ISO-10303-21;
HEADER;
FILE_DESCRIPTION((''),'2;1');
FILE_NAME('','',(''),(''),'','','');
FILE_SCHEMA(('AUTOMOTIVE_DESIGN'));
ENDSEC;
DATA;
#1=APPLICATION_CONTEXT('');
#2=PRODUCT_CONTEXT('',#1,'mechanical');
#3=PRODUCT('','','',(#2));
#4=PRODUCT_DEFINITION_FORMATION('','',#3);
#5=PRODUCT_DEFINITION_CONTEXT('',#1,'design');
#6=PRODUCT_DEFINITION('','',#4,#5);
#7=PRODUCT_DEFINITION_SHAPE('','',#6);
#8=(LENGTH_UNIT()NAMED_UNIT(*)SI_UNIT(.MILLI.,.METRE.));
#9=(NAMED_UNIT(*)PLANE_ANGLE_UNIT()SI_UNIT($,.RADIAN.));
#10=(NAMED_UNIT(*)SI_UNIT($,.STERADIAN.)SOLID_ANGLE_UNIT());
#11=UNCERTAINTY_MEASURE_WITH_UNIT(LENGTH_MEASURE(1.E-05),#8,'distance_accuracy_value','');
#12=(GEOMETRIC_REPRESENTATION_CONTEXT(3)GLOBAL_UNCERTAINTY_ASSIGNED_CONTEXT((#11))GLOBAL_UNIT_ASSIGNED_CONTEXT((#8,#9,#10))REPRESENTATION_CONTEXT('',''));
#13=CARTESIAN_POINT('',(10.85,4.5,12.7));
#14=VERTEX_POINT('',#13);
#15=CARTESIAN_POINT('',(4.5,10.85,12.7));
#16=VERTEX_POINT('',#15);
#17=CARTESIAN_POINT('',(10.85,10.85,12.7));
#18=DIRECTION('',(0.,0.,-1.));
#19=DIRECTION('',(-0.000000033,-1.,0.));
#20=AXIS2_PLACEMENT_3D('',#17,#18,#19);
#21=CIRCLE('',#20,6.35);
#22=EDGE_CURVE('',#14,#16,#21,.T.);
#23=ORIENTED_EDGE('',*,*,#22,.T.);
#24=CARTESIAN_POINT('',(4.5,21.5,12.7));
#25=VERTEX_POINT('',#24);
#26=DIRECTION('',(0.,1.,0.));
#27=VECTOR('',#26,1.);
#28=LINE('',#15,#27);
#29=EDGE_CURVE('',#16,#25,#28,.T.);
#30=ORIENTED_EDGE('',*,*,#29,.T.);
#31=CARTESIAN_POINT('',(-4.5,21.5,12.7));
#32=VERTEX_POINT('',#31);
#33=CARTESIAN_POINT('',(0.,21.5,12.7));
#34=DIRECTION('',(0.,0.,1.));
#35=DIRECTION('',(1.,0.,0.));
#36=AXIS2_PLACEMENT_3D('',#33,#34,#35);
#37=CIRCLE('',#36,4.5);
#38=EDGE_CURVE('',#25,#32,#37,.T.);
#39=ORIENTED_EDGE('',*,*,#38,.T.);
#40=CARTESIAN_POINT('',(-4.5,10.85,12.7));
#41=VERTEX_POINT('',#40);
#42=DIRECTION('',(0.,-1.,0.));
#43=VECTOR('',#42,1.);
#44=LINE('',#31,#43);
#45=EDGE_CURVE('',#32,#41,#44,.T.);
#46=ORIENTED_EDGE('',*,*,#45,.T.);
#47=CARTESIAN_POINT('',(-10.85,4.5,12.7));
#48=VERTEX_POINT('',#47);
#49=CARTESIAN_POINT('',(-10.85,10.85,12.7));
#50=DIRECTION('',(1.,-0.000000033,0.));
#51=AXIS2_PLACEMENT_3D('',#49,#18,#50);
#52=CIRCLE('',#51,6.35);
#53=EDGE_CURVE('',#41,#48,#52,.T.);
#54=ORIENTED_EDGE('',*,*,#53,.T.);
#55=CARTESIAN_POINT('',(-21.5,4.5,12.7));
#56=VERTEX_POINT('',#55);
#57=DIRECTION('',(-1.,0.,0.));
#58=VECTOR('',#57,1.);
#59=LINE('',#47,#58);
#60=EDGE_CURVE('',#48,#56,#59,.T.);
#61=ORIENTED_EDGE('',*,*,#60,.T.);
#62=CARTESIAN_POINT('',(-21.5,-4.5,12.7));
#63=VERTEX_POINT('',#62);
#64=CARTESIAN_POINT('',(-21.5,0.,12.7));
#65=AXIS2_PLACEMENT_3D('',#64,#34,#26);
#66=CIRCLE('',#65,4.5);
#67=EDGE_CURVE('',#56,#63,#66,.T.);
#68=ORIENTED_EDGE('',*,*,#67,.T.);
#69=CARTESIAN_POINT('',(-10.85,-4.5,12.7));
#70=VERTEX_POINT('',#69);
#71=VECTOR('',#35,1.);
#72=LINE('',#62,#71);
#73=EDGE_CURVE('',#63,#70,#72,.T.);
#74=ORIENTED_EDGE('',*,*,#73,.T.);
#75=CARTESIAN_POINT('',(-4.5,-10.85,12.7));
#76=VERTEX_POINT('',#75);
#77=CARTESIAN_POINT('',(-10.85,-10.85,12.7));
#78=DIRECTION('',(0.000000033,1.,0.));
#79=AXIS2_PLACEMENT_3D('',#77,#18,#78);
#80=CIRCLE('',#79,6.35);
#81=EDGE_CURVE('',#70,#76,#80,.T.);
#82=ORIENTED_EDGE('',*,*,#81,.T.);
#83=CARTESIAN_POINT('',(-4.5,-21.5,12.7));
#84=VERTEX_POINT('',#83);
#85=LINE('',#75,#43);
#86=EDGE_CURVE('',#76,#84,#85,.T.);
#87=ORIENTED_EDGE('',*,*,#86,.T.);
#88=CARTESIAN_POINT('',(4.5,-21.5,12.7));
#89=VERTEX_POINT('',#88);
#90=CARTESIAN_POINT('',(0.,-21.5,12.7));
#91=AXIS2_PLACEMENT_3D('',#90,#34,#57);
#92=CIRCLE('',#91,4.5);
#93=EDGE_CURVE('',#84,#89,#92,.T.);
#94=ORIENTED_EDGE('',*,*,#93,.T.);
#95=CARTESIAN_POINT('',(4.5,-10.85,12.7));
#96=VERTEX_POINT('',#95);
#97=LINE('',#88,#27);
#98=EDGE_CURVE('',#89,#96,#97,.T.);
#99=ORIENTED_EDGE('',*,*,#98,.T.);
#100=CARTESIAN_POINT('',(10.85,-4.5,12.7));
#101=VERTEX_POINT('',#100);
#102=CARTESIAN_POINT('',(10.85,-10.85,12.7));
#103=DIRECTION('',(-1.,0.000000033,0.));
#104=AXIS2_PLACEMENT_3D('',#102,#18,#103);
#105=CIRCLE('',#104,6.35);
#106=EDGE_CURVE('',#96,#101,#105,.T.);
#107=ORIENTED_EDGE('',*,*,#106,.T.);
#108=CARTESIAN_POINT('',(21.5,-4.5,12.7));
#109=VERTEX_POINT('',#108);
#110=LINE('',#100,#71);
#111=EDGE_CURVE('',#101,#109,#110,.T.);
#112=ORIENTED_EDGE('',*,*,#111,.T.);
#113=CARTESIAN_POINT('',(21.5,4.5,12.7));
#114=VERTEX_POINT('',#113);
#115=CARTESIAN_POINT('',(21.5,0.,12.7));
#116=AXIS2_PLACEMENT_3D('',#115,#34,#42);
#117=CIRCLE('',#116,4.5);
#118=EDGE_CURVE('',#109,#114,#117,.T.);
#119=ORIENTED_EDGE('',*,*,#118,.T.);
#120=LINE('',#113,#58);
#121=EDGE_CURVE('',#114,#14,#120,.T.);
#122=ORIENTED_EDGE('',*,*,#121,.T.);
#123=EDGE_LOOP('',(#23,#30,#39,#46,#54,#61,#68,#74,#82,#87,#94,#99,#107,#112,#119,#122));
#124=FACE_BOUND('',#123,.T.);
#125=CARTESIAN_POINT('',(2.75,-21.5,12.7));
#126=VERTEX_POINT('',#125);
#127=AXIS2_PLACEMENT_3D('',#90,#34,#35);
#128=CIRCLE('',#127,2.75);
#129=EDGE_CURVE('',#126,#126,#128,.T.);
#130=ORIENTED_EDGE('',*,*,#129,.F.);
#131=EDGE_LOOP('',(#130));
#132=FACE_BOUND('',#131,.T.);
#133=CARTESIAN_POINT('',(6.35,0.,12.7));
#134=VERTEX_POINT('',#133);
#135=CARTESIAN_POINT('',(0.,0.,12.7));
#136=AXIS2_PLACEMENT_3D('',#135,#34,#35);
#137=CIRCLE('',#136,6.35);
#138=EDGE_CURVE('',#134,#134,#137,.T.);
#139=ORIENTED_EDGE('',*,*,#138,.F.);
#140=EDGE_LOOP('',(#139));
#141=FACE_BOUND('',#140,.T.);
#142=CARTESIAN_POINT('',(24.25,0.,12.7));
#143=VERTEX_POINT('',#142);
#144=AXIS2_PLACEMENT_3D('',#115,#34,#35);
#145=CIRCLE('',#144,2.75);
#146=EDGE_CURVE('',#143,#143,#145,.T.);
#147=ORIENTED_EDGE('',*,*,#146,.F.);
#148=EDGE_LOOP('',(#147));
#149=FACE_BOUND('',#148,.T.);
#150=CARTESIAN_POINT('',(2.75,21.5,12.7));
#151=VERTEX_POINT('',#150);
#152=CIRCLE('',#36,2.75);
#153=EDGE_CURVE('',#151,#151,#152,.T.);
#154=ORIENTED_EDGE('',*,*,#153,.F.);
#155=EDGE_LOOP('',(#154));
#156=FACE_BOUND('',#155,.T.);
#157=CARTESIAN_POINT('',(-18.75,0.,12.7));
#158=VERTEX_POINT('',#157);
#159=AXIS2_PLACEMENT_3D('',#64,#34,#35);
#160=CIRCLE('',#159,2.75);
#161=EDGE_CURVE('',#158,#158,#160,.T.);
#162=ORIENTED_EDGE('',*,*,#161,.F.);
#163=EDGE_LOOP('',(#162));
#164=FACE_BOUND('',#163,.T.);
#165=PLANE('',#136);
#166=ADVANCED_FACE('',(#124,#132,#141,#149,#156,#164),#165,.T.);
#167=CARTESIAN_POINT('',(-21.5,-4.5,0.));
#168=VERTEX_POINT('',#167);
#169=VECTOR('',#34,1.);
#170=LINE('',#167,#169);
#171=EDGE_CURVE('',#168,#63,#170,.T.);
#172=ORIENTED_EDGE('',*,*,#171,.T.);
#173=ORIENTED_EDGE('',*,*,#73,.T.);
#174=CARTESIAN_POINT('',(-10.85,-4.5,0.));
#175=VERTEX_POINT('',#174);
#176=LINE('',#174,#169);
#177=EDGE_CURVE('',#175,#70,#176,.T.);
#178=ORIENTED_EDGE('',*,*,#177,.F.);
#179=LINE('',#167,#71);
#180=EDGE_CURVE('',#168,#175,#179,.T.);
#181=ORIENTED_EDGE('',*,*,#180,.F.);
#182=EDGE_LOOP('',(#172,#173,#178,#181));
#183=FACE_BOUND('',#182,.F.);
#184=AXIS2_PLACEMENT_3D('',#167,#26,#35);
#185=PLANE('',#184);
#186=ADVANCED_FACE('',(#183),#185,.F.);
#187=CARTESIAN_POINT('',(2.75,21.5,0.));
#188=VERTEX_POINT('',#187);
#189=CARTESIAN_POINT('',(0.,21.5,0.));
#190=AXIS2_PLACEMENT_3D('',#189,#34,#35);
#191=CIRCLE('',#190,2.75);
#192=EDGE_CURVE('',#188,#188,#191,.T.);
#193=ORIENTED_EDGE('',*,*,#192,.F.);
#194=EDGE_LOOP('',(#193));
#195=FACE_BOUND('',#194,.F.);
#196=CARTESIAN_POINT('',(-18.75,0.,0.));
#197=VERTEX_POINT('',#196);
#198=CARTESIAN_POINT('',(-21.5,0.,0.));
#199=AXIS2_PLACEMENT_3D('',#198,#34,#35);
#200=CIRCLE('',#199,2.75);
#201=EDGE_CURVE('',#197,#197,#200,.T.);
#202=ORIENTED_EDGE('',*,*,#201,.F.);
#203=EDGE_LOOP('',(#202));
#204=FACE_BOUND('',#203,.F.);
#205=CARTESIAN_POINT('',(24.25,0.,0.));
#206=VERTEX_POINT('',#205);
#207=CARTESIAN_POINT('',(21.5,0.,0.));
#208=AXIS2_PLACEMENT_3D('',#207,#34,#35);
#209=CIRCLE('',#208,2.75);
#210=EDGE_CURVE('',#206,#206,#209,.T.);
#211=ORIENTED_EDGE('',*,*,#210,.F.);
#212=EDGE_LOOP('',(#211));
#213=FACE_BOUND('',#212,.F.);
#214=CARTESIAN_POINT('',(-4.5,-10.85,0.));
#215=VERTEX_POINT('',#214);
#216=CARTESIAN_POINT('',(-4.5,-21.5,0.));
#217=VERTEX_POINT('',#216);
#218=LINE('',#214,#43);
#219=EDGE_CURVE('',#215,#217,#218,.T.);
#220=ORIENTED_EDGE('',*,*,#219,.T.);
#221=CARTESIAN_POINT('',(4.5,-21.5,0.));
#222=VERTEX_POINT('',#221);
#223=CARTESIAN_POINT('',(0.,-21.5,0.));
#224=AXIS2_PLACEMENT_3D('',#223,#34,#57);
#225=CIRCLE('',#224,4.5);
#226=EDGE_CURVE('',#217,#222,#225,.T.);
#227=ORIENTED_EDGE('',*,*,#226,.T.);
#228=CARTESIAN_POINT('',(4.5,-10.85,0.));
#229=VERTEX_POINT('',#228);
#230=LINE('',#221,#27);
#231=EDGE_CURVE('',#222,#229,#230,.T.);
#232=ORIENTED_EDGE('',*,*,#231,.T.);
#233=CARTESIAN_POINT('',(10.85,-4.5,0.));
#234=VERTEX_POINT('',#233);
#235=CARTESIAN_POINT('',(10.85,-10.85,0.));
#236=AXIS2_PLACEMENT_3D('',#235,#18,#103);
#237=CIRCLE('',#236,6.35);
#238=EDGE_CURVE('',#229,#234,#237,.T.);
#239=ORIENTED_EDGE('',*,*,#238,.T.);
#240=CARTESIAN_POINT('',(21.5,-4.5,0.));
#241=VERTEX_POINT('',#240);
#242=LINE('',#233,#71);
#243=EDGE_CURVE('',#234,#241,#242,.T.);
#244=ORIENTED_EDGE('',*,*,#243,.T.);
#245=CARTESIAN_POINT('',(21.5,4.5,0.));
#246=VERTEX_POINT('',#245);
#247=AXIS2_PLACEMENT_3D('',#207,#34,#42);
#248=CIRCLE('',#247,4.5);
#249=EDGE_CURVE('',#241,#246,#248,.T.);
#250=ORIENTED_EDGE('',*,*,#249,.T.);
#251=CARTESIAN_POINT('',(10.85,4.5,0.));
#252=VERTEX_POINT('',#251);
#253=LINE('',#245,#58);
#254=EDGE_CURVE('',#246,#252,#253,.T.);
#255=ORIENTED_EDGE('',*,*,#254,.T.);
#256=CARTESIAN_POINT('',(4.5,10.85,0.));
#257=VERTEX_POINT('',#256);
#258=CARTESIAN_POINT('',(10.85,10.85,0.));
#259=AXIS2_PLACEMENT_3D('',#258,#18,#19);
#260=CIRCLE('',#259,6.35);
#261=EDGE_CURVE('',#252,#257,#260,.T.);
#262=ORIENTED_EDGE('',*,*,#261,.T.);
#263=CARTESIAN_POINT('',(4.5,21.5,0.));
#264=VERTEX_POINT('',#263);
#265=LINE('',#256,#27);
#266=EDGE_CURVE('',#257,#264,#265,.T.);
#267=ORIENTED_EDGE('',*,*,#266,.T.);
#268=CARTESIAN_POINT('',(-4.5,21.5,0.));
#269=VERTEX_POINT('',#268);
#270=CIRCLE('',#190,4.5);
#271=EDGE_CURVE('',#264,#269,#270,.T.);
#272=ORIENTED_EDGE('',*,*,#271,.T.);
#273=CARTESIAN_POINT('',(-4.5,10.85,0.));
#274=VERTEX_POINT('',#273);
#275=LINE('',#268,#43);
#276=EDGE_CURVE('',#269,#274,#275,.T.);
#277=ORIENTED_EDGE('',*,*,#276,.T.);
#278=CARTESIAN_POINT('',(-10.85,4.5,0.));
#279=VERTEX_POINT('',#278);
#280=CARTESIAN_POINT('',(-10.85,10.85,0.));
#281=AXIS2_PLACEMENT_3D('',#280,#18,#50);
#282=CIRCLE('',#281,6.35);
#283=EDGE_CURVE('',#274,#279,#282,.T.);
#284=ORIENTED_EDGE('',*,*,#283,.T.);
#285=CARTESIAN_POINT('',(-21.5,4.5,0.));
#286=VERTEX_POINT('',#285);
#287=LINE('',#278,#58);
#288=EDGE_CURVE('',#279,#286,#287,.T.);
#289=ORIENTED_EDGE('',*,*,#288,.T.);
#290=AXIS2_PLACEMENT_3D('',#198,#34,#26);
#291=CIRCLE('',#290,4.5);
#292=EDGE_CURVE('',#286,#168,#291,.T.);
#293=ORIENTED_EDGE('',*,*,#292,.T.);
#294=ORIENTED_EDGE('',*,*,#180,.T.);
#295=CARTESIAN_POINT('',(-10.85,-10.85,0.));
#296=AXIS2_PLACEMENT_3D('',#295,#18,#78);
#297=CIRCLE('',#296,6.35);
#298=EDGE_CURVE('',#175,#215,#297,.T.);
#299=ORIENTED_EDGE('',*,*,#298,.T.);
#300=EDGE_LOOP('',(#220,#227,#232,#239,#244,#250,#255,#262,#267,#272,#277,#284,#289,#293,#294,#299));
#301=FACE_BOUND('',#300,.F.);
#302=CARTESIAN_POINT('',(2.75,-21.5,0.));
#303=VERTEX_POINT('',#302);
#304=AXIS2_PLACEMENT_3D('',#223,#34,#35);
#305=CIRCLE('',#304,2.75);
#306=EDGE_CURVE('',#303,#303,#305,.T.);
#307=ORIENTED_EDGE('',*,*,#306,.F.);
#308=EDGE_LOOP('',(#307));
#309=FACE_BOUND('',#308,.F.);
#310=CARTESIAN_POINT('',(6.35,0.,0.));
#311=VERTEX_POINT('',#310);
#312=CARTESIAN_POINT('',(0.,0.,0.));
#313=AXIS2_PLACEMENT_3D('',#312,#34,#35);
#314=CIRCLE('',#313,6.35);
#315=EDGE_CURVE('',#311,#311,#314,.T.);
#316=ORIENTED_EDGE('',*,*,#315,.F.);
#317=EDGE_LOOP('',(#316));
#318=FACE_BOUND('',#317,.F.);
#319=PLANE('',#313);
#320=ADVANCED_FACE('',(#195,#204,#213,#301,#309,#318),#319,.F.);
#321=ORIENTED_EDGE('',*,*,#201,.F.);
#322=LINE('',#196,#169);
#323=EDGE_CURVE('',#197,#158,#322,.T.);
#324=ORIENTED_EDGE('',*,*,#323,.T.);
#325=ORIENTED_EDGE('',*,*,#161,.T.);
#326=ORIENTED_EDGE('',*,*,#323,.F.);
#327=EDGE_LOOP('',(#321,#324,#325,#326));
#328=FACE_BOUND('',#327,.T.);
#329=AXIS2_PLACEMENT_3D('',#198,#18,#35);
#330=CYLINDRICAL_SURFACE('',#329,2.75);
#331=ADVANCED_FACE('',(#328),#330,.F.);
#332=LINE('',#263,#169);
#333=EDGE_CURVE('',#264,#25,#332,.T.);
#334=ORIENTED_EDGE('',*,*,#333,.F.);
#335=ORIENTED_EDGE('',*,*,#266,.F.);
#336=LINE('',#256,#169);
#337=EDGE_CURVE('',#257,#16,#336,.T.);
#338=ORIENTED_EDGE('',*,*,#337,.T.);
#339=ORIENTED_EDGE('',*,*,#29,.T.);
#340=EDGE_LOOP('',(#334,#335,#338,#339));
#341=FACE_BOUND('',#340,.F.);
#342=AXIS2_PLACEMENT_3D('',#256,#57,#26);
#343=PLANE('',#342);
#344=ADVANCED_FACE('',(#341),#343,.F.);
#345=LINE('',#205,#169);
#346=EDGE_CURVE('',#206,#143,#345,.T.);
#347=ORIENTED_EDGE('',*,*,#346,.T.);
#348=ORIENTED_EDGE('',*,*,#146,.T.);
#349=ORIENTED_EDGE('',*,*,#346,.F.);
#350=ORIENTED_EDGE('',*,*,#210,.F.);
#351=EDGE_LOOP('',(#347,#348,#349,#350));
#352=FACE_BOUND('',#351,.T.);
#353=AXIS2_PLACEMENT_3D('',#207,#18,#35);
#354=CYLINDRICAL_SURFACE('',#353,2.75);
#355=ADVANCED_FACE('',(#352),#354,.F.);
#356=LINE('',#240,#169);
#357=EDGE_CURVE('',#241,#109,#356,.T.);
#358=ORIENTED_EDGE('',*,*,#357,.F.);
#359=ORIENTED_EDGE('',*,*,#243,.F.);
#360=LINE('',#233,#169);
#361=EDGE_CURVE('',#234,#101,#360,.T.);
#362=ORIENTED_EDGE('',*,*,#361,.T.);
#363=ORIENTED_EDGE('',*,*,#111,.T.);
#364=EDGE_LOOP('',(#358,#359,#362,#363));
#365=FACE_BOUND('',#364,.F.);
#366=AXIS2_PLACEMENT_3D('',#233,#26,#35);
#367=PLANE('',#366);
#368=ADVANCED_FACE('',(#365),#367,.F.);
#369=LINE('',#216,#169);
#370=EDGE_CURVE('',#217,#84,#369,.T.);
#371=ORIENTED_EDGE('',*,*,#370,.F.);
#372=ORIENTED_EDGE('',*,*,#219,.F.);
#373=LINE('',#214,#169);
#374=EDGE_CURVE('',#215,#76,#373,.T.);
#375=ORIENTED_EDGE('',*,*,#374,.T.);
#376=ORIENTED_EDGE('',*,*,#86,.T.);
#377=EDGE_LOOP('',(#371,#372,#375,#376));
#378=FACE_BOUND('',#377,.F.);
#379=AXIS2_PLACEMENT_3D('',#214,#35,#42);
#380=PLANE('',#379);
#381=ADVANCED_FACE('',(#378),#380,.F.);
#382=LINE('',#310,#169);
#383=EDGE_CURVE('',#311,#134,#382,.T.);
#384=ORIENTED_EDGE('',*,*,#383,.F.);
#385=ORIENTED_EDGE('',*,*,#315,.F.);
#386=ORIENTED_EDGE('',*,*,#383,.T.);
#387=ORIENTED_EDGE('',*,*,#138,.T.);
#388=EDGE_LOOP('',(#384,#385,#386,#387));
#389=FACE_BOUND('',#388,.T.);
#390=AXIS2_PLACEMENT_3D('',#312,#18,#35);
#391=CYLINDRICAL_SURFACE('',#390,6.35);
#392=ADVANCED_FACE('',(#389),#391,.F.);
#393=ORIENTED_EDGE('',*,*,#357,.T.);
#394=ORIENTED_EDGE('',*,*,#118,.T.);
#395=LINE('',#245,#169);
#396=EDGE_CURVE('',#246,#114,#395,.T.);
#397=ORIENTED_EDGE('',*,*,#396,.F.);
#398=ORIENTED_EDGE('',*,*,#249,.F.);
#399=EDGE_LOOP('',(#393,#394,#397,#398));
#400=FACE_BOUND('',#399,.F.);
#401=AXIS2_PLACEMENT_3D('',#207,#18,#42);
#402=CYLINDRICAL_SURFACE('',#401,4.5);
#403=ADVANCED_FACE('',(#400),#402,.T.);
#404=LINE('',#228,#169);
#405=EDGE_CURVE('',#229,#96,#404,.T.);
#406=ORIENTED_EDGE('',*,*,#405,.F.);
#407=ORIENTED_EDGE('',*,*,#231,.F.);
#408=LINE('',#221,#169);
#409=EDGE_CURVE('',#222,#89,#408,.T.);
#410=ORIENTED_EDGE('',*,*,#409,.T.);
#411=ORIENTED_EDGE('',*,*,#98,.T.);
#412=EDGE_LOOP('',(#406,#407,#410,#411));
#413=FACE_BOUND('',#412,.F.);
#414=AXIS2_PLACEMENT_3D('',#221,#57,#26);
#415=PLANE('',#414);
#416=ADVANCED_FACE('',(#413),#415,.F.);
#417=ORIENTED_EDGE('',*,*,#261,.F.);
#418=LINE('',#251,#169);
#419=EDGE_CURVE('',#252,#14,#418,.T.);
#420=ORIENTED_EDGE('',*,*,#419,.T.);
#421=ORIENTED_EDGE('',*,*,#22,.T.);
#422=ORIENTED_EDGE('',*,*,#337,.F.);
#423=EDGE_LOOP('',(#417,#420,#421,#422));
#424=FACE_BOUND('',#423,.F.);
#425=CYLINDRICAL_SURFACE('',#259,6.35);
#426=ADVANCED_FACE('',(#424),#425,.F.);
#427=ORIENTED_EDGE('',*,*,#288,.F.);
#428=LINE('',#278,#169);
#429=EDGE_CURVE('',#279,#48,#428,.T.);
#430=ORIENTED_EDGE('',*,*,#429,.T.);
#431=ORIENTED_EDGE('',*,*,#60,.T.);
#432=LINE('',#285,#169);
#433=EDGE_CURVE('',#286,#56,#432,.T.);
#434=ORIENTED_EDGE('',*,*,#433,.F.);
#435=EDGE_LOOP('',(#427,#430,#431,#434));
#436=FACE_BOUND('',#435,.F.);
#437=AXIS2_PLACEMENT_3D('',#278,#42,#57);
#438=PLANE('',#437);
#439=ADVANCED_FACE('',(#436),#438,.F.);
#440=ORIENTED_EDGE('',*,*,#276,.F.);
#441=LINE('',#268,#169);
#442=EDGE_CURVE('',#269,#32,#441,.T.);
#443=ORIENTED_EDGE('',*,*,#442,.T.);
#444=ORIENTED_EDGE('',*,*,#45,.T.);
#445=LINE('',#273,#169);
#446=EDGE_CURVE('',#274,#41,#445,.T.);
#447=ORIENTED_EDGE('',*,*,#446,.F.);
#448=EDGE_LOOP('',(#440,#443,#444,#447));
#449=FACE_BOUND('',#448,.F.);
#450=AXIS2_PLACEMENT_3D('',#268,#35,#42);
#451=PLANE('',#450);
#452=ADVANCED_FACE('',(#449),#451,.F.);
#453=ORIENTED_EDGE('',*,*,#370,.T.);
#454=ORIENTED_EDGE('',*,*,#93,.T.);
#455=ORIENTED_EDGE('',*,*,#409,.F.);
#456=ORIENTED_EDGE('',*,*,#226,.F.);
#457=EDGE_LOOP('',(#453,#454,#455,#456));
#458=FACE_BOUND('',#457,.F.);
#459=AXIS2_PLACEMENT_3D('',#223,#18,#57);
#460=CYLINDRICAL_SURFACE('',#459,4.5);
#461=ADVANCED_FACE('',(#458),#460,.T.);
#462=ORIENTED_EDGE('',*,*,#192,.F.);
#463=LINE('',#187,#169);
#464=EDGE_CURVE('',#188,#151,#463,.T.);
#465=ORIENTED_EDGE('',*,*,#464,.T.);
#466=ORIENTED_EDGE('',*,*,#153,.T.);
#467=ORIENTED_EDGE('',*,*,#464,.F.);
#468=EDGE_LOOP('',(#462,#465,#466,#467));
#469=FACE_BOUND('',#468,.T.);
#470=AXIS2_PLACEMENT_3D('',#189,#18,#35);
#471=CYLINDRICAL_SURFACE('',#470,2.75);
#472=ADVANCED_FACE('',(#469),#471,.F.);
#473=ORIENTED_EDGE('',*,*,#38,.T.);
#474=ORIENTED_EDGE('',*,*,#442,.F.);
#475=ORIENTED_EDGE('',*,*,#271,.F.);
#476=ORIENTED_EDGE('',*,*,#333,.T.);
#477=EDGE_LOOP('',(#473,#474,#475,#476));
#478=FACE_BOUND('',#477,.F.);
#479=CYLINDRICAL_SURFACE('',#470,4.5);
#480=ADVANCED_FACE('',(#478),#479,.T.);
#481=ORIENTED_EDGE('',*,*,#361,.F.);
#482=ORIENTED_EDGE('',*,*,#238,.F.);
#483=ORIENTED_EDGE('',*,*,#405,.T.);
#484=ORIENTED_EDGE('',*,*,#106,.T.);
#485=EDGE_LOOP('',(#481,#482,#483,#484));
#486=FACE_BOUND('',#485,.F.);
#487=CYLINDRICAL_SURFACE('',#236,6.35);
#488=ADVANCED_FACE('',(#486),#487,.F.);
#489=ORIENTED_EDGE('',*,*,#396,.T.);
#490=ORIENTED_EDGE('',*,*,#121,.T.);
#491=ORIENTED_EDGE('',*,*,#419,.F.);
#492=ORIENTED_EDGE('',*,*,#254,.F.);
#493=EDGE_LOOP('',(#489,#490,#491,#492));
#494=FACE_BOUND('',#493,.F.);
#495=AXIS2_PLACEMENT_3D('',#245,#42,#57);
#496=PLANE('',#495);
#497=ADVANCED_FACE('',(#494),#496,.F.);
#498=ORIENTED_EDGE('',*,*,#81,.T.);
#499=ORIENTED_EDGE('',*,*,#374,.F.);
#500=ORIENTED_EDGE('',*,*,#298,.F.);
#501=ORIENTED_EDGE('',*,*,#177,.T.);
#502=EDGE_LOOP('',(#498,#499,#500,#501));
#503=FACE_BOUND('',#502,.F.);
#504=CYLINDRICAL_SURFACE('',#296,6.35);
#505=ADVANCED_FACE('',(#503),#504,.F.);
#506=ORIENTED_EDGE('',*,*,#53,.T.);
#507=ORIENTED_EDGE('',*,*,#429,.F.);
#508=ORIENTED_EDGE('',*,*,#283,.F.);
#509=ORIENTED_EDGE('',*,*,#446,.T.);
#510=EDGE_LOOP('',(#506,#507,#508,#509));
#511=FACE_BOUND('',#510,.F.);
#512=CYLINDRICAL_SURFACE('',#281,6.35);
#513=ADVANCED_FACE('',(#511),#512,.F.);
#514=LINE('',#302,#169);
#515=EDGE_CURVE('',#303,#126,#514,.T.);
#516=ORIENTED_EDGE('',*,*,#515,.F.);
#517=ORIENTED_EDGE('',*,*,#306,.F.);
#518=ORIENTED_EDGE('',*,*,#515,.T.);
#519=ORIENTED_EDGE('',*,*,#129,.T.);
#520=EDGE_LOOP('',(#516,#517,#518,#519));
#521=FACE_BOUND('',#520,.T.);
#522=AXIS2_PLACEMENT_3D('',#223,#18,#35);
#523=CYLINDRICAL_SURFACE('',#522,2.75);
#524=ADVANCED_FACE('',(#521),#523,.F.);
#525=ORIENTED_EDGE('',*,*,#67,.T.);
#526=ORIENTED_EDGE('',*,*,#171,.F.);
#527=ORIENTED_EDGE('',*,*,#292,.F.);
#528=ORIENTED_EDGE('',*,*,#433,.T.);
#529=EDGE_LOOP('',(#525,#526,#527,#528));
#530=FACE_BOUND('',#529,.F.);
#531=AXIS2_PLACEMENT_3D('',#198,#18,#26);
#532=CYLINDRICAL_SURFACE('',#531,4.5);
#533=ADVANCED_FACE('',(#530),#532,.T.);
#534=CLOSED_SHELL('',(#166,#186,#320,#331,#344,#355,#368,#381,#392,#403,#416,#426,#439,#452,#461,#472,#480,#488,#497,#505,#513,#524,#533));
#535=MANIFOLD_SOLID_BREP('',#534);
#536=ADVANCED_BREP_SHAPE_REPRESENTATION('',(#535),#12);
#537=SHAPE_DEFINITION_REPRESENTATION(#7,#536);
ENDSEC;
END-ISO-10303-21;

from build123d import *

# Parameters (mm, degrees)
F0_R     = 2.75
F0_R_2   = 6.35
F1_DEPTH = 12.7


with BuildPart() as f1:
    # F0 (on Top) → F1 (new body)
    with BuildSketch(Plane.XY):
        with BuildLine():
            Line((4.5, 10.85), (4.5, 21.5))
            ThreePointArc((4.5, 21.5), (0, 26), (-4.5, 21.5))
            Line((-4.5, 21.5), (-4.5, 10.85))
            ThreePointArc((-4.5, 10.85), (-6.359872, 6.359872), (-10.85, 4.5))
            Line((-10.85, 4.5), (-21.5, 4.5))
            ThreePointArc((-21.5, 4.5), (-26, 0), (-21.5, -4.5))
            Line((-21.5, -4.5), (-10.85, -4.5))
            ThreePointArc((-10.85, -4.5), (-6.359872, -6.359872), (-4.5, -10.85))
            Line((-4.5, -10.85), (-4.5, -21.5))
            ThreePointArc((-4.5, -21.5), (0, -26), (4.5, -21.5))
            Line((4.5, -21.5), (4.5, -10.85))
            ThreePointArc((4.5, -10.85), (6.359872, -6.359872), (10.85, -4.5))
            Line((10.85, -4.5), (21.5, -4.5))
            ThreePointArc((21.5, -4.5), (26, 0), (21.5, 4.5))
            Line((21.5, 4.5), (10.85, 4.5))
            ThreePointArc((10.85, 4.5), (6.359872, 6.359872), (4.5, 10.85))
        make_face()
        with Locations((0, -21.5)):
            Circle(F0_R, mode=Mode.SUBTRACT)
        with Locations((-21.5, 0)):
            Circle(F0_R, mode=Mode.SUBTRACT)
        Circle(F0_R_2, mode=Mode.SUBTRACT)
        with Locations((21.5, 0)):
            Circle(F0_R, mode=Mode.SUBTRACT)
        with Locations((0, 21.5)):
            Circle(F0_R, mode=Mode.SUBTRACT)
    extrude(amount=F1_DEPTH)


solid = f1.part
